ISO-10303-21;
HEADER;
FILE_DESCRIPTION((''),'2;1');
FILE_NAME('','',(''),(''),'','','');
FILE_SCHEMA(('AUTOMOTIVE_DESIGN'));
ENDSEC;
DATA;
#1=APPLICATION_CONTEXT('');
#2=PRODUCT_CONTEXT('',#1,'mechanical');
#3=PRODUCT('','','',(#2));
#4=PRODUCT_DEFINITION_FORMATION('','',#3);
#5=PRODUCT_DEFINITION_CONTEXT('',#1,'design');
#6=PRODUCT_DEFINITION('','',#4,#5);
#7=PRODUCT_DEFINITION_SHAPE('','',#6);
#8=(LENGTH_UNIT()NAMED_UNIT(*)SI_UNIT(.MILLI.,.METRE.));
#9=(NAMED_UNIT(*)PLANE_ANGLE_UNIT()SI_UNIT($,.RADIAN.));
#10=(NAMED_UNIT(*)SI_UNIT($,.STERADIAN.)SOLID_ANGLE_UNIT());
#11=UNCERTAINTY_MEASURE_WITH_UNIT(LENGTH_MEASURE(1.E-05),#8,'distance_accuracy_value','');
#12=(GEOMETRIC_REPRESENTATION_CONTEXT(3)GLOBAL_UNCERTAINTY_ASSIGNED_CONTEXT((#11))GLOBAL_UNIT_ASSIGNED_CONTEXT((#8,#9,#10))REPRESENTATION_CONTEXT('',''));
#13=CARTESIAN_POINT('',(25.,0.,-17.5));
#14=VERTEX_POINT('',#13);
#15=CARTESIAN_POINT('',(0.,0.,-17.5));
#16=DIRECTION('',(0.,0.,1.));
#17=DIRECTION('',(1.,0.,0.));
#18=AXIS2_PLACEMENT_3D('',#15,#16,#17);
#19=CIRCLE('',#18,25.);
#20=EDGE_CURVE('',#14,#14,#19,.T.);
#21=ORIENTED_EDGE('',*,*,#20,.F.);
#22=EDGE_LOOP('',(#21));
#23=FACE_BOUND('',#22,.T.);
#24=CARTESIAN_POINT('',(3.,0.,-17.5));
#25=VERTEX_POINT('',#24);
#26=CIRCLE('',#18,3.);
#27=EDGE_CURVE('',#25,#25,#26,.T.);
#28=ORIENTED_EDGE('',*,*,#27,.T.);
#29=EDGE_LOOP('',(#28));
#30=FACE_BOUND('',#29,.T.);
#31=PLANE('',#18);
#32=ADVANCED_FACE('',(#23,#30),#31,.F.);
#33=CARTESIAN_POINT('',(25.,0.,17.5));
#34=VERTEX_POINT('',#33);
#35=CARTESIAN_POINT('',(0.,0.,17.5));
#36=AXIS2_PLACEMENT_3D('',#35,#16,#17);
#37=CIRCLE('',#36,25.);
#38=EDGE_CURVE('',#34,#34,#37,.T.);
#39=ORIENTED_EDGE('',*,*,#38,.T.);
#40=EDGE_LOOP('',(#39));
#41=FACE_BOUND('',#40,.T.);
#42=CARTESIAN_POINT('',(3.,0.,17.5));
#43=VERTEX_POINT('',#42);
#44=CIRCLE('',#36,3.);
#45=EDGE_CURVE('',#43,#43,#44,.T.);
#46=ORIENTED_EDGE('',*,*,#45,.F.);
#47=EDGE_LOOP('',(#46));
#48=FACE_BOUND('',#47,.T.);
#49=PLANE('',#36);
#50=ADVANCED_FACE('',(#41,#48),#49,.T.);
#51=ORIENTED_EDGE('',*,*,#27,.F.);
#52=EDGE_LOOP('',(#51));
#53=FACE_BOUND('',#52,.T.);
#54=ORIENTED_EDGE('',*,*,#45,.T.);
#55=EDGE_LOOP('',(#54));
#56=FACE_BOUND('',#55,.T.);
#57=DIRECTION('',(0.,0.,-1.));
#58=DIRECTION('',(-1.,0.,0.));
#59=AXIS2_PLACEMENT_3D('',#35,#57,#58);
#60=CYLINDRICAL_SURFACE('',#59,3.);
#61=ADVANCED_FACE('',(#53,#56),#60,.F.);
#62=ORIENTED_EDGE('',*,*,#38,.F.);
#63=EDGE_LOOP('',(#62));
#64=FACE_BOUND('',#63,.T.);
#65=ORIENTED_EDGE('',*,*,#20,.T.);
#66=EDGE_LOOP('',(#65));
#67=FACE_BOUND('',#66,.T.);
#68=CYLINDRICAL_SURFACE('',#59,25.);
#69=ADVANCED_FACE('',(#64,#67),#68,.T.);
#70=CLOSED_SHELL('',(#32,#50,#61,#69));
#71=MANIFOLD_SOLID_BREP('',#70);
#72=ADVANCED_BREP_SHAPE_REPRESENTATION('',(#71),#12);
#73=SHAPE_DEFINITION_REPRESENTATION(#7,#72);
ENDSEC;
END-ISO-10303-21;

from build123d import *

# Parameters (mm, degrees)
ESQUISSE1_R        = 25
ESQUISSE1_R_2      = 3
BOSS_EXTRU_1_DEPTH = 17.5


with BuildPart() as part:
    # Esquisse1 → Boss.-Extru.1 (new, symmetric)
    with BuildSketch(Plane.XY):
        Circle(ESQUISSE1_R)
        Circle(ESQUISSE1_R_2, mode=Mode.SUBTRACT)
    extrude(amount=BOSS_EXTRU_1_DEPTH, both=True)


solid = part.part
